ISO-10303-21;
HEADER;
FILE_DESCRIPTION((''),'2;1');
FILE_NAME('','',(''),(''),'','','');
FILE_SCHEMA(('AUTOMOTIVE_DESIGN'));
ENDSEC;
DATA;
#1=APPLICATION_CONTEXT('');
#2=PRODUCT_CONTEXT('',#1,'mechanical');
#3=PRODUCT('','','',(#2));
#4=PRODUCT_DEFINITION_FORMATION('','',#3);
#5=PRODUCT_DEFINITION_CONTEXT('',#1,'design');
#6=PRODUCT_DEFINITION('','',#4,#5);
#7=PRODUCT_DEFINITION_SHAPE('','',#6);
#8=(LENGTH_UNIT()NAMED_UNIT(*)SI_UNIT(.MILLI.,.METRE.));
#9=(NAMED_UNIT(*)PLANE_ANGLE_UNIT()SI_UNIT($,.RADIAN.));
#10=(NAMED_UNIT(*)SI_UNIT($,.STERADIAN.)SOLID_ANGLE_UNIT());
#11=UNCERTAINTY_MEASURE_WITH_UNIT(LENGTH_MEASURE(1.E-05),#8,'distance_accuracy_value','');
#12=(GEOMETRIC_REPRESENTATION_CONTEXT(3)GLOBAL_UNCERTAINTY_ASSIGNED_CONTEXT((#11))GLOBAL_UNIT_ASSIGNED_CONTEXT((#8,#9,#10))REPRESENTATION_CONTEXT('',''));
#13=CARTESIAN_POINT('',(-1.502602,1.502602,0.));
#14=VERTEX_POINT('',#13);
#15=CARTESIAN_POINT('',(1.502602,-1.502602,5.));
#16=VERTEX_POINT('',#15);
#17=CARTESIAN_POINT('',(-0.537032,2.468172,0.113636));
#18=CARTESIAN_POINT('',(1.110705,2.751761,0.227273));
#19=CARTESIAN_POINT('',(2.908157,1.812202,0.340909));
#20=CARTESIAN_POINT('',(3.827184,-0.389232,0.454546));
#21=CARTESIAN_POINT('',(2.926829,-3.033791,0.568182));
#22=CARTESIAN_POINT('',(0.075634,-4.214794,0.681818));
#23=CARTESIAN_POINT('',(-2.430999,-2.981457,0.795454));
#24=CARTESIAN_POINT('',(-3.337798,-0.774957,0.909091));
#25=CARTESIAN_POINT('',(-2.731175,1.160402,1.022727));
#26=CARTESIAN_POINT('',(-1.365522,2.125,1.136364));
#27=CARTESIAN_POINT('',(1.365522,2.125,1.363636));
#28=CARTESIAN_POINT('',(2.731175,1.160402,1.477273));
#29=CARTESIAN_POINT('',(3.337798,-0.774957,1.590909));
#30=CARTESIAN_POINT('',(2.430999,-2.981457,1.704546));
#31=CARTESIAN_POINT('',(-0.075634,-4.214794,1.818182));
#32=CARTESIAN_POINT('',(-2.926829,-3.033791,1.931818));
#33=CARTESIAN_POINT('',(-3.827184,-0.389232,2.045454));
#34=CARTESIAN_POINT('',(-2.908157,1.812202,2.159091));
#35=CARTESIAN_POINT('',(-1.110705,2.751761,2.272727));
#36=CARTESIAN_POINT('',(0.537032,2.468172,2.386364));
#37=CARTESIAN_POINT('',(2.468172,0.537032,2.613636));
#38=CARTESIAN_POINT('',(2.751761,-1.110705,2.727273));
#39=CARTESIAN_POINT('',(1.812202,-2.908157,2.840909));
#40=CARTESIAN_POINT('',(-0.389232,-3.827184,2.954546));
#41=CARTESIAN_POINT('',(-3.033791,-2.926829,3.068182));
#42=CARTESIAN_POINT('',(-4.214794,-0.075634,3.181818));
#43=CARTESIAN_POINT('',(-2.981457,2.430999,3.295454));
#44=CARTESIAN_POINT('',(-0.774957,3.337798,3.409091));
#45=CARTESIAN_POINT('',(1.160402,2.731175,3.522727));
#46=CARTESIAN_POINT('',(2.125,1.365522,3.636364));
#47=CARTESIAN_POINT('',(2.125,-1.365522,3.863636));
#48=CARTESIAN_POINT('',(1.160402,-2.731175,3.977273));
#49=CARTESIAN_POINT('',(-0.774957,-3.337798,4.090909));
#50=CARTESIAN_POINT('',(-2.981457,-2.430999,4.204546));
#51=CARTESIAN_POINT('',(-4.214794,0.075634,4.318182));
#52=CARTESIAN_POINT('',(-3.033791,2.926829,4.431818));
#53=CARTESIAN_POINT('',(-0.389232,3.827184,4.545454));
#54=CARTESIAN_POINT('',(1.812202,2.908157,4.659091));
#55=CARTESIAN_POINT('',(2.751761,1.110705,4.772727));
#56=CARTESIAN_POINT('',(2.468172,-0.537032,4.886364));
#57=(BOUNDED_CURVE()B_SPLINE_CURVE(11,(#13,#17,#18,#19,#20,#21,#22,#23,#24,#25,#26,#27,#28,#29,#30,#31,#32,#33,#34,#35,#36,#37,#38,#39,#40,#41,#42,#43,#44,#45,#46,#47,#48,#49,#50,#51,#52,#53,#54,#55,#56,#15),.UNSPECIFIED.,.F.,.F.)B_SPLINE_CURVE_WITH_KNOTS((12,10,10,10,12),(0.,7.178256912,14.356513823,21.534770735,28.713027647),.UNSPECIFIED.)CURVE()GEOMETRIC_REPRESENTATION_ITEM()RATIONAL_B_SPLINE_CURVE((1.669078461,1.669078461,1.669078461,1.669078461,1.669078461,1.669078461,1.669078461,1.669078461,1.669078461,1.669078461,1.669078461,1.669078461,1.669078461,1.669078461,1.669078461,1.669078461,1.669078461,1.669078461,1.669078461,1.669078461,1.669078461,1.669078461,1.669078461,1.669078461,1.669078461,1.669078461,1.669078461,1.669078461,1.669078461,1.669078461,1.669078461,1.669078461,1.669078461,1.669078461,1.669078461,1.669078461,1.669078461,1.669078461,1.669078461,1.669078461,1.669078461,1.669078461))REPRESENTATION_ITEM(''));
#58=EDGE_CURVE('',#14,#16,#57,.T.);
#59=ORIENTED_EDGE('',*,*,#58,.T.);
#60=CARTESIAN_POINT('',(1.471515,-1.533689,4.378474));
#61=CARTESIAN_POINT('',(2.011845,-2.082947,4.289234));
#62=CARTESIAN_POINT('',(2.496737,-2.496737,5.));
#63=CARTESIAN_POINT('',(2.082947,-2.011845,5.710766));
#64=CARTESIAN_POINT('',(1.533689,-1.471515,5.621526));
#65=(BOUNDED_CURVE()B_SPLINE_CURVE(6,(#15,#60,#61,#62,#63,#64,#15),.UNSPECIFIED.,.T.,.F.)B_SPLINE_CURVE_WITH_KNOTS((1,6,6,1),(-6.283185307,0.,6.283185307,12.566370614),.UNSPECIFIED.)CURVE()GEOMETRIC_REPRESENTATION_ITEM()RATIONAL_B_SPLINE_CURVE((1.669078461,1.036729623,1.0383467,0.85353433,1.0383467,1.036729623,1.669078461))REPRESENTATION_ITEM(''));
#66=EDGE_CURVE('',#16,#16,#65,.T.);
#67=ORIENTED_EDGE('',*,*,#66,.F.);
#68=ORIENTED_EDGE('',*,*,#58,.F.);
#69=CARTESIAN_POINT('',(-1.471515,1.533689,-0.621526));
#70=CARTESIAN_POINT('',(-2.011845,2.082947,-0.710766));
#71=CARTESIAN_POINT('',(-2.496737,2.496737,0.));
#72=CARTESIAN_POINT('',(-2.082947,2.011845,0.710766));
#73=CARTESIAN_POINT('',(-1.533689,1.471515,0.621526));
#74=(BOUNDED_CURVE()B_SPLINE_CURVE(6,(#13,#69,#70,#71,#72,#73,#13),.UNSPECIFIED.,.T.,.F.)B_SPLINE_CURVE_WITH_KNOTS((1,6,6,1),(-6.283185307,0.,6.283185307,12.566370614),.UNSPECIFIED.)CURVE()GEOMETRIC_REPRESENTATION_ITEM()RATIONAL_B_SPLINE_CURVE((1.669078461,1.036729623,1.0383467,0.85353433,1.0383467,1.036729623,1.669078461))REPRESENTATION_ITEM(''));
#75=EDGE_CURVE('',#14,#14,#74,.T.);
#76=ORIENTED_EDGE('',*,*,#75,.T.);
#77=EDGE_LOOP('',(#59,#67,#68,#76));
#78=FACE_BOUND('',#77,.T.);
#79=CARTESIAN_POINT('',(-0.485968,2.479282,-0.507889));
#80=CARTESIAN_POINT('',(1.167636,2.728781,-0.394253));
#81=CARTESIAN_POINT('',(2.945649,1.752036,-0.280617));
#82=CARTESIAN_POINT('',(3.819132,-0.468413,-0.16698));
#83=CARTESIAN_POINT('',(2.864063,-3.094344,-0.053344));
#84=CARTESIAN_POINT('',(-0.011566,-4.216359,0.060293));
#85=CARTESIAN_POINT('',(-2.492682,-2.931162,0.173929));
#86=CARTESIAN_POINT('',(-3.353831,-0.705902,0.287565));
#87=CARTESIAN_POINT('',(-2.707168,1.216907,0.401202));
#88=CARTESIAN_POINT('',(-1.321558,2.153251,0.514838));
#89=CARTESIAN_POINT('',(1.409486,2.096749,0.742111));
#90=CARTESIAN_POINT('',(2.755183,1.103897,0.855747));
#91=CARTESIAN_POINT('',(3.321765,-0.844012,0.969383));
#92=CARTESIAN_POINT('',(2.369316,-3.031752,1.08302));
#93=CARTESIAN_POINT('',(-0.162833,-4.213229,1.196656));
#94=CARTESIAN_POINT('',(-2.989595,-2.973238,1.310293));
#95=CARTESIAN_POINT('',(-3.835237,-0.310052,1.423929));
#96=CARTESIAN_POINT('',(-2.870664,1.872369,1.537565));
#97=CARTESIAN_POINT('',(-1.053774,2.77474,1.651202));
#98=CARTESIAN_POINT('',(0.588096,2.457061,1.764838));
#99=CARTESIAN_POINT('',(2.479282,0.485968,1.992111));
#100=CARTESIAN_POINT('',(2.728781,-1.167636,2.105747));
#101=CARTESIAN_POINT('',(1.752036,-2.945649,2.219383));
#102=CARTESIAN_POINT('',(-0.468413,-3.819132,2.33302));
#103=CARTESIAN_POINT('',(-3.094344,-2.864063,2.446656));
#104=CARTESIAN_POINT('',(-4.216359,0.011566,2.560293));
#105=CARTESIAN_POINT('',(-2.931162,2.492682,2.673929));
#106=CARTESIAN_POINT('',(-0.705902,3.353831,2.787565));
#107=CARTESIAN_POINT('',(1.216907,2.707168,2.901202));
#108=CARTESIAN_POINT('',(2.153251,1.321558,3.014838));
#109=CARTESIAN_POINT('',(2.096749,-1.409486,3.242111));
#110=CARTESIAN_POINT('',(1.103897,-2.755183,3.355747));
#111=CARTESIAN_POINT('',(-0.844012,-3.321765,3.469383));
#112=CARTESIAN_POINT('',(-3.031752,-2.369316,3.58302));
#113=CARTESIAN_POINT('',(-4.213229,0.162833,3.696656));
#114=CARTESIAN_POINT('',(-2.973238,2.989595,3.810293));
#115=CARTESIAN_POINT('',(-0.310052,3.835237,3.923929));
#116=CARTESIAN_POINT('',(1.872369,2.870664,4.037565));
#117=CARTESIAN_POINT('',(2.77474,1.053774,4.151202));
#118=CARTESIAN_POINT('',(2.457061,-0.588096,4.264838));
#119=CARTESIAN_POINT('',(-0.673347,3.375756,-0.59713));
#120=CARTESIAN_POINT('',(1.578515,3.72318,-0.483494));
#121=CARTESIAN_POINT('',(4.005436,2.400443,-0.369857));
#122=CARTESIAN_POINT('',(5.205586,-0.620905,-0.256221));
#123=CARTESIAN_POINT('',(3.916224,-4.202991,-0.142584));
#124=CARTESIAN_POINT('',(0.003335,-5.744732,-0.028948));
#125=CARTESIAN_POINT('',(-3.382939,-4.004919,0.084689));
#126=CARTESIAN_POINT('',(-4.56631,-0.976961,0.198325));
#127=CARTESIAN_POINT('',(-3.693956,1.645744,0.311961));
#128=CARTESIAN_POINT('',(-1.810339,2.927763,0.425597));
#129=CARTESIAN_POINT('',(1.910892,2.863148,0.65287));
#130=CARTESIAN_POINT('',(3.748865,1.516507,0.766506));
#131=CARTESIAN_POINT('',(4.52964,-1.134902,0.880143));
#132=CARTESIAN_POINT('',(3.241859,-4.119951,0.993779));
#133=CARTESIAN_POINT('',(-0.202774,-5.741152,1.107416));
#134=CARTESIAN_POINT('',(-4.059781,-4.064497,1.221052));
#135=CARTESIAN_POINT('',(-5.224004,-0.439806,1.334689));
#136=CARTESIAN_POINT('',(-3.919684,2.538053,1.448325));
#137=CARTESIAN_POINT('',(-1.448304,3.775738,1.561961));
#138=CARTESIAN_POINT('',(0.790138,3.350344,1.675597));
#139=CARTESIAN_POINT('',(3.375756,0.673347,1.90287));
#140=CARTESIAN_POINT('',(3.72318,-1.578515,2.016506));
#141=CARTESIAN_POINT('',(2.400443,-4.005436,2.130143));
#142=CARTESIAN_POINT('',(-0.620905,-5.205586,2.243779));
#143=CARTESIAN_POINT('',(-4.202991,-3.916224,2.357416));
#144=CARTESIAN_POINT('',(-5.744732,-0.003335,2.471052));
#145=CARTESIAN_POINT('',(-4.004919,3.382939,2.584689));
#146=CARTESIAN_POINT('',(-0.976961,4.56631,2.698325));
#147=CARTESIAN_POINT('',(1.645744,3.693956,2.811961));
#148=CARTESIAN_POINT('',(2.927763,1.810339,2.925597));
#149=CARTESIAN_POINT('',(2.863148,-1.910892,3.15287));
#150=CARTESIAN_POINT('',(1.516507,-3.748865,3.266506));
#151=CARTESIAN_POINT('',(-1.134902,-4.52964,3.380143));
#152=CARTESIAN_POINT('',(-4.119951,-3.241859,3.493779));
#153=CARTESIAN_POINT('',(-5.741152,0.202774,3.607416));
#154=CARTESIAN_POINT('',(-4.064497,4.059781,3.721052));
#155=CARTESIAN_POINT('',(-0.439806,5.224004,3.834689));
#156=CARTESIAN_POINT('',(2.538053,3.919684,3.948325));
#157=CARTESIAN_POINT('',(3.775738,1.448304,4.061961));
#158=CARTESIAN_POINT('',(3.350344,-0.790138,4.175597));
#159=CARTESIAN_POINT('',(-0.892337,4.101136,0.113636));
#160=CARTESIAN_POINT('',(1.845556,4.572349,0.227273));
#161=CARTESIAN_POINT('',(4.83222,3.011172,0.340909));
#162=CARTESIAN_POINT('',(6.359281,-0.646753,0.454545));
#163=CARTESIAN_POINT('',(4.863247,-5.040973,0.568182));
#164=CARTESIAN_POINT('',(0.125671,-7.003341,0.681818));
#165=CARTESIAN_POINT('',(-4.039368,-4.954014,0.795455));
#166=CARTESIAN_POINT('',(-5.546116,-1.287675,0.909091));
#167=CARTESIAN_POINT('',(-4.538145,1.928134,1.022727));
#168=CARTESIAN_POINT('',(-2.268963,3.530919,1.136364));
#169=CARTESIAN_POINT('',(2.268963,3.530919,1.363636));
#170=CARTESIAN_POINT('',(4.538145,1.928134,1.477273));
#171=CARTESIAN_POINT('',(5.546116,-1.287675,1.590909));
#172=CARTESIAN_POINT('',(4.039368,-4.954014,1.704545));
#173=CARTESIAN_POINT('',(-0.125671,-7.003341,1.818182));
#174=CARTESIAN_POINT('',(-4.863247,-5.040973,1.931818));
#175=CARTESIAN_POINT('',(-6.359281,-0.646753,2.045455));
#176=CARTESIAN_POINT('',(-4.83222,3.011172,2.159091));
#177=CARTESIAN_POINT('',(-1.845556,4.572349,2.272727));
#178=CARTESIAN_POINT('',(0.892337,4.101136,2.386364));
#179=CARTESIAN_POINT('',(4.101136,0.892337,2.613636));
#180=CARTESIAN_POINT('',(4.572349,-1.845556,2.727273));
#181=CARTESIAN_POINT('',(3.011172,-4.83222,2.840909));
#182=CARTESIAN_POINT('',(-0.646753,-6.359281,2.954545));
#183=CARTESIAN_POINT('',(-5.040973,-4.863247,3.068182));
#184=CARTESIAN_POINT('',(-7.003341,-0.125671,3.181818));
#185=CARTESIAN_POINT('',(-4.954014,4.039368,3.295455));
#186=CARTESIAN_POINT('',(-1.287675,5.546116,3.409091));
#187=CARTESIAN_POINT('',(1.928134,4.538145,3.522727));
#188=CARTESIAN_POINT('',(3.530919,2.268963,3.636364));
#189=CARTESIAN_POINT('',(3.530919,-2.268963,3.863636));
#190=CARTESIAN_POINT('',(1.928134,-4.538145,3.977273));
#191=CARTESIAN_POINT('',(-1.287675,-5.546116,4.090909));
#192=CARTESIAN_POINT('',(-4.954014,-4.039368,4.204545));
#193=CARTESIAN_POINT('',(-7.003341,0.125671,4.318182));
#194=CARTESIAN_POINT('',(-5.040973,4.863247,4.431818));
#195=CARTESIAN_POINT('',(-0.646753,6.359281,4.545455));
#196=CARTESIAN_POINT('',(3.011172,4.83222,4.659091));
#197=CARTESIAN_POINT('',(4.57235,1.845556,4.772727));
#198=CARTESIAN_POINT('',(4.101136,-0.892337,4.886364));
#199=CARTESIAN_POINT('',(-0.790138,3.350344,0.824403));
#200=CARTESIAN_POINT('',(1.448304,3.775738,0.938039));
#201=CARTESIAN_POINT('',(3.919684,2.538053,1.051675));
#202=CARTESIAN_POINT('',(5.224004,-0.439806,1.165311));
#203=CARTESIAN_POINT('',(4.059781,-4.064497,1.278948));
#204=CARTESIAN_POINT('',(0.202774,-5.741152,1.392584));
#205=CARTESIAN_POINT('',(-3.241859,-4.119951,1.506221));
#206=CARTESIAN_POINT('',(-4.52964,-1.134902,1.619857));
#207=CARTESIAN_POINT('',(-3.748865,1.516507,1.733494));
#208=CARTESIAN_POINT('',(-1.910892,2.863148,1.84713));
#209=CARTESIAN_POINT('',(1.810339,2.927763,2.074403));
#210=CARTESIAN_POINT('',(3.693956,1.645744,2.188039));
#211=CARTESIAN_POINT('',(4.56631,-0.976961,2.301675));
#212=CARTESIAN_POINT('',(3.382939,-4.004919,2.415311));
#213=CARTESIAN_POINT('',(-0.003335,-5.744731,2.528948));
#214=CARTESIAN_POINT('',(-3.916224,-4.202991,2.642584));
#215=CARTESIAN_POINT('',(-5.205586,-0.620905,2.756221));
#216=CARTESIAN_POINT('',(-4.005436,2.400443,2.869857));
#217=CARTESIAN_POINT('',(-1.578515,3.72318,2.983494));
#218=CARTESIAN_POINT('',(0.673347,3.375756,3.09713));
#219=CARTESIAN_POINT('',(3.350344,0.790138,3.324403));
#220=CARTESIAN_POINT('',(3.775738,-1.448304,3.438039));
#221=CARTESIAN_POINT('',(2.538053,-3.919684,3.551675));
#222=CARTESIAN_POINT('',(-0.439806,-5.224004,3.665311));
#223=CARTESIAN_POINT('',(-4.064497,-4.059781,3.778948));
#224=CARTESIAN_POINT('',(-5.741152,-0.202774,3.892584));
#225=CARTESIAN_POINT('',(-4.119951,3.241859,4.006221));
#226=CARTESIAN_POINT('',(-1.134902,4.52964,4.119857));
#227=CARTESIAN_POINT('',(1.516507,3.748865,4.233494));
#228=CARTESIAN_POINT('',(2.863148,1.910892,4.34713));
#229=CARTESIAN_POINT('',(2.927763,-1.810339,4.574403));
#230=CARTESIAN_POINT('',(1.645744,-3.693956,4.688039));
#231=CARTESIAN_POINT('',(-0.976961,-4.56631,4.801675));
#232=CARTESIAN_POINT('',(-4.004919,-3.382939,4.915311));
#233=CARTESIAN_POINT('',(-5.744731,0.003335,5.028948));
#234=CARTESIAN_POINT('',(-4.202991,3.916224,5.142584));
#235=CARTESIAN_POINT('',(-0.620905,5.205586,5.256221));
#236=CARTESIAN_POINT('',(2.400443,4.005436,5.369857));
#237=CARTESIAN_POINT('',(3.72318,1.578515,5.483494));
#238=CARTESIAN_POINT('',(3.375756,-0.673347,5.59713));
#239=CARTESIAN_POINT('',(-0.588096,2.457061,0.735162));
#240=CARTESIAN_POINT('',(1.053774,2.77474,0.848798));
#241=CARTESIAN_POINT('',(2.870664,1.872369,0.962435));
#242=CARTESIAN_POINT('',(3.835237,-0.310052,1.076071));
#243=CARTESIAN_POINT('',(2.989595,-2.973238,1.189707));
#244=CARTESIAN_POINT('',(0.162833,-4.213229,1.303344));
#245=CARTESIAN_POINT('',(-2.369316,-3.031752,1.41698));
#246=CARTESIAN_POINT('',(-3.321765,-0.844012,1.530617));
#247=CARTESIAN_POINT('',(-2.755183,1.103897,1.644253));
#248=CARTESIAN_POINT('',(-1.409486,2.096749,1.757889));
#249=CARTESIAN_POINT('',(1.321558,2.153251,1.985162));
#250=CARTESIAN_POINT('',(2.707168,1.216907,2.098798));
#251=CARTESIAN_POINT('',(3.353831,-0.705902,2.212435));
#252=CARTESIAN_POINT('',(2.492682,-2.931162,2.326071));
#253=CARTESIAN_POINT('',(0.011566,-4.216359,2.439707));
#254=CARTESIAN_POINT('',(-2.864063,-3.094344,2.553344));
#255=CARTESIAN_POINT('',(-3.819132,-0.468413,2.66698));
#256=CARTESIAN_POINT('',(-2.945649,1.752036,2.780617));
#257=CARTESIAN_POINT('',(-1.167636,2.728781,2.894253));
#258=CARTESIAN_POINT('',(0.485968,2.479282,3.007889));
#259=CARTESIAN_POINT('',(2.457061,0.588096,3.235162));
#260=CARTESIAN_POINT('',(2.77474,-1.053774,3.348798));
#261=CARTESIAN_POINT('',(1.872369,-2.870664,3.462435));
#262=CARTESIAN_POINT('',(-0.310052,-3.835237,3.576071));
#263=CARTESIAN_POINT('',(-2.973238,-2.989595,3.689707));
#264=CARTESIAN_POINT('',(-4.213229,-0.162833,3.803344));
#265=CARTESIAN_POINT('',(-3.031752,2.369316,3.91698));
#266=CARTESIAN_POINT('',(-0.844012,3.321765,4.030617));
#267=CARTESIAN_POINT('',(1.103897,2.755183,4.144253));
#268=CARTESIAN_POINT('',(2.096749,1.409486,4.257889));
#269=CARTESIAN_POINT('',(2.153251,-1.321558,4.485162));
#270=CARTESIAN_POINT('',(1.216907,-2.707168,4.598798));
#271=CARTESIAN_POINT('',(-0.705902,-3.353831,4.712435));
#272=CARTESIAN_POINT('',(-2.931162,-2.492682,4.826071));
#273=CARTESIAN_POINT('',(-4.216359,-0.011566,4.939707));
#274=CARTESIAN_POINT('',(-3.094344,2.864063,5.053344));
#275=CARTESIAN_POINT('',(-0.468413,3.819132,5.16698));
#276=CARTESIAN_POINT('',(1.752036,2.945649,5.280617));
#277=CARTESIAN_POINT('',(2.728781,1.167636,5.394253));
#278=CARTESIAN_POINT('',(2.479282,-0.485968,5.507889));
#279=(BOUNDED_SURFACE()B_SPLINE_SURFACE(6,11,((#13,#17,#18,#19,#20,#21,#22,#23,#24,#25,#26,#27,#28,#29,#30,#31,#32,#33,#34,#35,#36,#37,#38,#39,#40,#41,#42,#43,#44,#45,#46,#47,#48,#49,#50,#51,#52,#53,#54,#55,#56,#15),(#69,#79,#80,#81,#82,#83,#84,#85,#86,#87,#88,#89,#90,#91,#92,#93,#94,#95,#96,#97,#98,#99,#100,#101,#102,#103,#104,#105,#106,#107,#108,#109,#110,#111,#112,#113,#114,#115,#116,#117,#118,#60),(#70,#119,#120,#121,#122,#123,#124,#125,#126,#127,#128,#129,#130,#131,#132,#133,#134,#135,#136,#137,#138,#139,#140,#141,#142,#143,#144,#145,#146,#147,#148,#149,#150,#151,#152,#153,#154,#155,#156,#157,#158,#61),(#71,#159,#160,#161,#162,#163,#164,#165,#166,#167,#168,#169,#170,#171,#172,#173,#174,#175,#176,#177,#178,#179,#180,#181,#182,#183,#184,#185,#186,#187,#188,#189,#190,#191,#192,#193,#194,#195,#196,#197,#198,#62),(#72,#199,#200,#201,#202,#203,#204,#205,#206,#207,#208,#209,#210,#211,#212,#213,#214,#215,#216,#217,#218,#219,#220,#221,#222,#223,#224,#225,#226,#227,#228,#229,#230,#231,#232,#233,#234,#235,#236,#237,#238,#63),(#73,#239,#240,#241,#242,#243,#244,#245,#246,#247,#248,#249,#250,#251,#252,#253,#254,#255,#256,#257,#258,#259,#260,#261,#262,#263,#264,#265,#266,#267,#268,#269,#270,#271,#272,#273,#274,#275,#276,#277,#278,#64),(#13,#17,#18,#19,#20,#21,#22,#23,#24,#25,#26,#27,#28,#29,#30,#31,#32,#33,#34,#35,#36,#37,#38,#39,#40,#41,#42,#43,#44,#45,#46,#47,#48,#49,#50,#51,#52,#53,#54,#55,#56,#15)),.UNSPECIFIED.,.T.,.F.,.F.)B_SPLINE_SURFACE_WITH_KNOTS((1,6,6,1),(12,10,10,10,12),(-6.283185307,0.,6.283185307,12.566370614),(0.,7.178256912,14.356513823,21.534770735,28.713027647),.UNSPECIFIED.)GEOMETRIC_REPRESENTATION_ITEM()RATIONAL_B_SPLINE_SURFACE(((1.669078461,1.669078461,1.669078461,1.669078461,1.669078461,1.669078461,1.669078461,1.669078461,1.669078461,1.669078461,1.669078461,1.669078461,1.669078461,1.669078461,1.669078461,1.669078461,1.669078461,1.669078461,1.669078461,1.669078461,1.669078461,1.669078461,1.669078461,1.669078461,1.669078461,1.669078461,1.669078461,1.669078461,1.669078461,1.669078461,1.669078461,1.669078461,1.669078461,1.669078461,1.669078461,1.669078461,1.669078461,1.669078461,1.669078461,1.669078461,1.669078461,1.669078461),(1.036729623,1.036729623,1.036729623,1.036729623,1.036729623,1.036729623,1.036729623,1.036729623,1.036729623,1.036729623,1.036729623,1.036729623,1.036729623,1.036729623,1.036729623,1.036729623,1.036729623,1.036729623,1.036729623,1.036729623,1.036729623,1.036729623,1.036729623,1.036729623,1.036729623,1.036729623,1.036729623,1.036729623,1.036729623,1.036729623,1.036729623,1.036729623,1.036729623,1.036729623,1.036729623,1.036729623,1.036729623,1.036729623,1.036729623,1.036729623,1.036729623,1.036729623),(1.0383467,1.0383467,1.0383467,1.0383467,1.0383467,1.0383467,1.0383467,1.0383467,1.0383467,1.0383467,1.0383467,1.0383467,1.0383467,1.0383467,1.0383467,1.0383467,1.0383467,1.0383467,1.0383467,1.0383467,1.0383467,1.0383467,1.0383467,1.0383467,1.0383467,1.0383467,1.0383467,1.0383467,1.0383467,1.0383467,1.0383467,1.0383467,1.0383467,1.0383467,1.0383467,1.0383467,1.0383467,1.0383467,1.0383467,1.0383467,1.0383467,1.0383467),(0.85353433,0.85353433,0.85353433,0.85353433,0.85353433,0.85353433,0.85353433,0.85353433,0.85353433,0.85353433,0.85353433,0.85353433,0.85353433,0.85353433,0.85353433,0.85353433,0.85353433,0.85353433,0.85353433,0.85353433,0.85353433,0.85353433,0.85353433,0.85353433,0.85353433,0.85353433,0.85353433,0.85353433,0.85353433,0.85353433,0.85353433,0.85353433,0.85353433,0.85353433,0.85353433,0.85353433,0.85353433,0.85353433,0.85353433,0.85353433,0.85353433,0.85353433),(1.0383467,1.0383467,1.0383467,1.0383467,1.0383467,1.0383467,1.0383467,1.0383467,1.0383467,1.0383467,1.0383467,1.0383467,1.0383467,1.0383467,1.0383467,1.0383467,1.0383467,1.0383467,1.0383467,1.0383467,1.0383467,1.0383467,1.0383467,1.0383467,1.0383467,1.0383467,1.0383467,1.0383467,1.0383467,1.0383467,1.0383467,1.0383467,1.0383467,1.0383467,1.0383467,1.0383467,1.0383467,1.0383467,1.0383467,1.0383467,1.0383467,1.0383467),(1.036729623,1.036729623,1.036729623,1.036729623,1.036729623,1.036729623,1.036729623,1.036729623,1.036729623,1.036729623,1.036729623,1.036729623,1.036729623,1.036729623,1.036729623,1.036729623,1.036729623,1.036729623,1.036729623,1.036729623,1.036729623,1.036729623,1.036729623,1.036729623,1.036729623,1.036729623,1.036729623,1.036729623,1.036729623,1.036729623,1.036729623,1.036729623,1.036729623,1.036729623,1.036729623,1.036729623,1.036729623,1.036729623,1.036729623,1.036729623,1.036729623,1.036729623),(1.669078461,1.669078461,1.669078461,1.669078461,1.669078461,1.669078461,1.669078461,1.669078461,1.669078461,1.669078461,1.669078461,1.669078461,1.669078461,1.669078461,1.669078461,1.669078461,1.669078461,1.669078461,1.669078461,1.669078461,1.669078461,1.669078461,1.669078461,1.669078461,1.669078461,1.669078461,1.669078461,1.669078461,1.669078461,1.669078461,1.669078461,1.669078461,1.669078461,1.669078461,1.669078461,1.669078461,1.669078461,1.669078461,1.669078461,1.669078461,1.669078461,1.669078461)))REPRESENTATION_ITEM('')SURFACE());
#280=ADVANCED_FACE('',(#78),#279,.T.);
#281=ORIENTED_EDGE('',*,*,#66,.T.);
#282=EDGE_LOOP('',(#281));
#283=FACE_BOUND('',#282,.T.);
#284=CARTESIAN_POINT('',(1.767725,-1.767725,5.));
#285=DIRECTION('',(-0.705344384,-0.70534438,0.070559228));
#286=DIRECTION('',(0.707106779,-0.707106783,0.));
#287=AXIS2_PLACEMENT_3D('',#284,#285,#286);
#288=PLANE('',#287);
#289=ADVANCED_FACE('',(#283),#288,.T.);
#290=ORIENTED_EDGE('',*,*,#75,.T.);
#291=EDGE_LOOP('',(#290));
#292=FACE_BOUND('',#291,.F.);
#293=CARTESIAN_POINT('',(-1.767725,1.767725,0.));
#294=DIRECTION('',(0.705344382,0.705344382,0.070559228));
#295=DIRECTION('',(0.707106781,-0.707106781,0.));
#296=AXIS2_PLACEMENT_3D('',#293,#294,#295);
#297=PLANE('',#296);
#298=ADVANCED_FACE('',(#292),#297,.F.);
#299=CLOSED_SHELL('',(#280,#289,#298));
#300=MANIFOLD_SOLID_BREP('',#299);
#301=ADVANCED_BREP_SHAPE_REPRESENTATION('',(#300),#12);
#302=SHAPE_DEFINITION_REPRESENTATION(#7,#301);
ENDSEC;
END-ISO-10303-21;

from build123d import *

# Parameters (mm, degrees)
SWEEP1_PITCH       = 1.111111111
SWEEP1_HEIGHT      = 5
SWEEP1_RADIUS      = 2.5
SWEEP1_START_ANGLE = 135
SWEEP1_PROFILE_R   = 0.375


with BuildPart() as part:
    # Sweep1: sweep along a helix
    with BuildLine() as sweep1_path:
        add(Helix(SWEEP1_PITCH, SWEEP1_HEIGHT, SWEEP1_RADIUS, center=(0, 0, 0), direction=(0, 0, 1), lefthand=True, mode=Mode.PRIVATE).rotate(Axis((0, 0, 0), (0, 0, 1)), SWEEP1_START_ANGLE))
    # Sweep1 profile (on start of the path) → Sweep1 (sweep)
    with BuildSketch(Plane(origin=(-1.767766953, 1.767766953, 0), x_dir=(0.7071067811867141, -0.707106781186381, 0), z_dir=(0.7053443822993557, 0.705344382299688, 0.07055922843265794))):
        Circle(SWEEP1_PROFILE_R)
    sweep(path=sweep1_path.line, is_frenet=True)


solid = part.part
